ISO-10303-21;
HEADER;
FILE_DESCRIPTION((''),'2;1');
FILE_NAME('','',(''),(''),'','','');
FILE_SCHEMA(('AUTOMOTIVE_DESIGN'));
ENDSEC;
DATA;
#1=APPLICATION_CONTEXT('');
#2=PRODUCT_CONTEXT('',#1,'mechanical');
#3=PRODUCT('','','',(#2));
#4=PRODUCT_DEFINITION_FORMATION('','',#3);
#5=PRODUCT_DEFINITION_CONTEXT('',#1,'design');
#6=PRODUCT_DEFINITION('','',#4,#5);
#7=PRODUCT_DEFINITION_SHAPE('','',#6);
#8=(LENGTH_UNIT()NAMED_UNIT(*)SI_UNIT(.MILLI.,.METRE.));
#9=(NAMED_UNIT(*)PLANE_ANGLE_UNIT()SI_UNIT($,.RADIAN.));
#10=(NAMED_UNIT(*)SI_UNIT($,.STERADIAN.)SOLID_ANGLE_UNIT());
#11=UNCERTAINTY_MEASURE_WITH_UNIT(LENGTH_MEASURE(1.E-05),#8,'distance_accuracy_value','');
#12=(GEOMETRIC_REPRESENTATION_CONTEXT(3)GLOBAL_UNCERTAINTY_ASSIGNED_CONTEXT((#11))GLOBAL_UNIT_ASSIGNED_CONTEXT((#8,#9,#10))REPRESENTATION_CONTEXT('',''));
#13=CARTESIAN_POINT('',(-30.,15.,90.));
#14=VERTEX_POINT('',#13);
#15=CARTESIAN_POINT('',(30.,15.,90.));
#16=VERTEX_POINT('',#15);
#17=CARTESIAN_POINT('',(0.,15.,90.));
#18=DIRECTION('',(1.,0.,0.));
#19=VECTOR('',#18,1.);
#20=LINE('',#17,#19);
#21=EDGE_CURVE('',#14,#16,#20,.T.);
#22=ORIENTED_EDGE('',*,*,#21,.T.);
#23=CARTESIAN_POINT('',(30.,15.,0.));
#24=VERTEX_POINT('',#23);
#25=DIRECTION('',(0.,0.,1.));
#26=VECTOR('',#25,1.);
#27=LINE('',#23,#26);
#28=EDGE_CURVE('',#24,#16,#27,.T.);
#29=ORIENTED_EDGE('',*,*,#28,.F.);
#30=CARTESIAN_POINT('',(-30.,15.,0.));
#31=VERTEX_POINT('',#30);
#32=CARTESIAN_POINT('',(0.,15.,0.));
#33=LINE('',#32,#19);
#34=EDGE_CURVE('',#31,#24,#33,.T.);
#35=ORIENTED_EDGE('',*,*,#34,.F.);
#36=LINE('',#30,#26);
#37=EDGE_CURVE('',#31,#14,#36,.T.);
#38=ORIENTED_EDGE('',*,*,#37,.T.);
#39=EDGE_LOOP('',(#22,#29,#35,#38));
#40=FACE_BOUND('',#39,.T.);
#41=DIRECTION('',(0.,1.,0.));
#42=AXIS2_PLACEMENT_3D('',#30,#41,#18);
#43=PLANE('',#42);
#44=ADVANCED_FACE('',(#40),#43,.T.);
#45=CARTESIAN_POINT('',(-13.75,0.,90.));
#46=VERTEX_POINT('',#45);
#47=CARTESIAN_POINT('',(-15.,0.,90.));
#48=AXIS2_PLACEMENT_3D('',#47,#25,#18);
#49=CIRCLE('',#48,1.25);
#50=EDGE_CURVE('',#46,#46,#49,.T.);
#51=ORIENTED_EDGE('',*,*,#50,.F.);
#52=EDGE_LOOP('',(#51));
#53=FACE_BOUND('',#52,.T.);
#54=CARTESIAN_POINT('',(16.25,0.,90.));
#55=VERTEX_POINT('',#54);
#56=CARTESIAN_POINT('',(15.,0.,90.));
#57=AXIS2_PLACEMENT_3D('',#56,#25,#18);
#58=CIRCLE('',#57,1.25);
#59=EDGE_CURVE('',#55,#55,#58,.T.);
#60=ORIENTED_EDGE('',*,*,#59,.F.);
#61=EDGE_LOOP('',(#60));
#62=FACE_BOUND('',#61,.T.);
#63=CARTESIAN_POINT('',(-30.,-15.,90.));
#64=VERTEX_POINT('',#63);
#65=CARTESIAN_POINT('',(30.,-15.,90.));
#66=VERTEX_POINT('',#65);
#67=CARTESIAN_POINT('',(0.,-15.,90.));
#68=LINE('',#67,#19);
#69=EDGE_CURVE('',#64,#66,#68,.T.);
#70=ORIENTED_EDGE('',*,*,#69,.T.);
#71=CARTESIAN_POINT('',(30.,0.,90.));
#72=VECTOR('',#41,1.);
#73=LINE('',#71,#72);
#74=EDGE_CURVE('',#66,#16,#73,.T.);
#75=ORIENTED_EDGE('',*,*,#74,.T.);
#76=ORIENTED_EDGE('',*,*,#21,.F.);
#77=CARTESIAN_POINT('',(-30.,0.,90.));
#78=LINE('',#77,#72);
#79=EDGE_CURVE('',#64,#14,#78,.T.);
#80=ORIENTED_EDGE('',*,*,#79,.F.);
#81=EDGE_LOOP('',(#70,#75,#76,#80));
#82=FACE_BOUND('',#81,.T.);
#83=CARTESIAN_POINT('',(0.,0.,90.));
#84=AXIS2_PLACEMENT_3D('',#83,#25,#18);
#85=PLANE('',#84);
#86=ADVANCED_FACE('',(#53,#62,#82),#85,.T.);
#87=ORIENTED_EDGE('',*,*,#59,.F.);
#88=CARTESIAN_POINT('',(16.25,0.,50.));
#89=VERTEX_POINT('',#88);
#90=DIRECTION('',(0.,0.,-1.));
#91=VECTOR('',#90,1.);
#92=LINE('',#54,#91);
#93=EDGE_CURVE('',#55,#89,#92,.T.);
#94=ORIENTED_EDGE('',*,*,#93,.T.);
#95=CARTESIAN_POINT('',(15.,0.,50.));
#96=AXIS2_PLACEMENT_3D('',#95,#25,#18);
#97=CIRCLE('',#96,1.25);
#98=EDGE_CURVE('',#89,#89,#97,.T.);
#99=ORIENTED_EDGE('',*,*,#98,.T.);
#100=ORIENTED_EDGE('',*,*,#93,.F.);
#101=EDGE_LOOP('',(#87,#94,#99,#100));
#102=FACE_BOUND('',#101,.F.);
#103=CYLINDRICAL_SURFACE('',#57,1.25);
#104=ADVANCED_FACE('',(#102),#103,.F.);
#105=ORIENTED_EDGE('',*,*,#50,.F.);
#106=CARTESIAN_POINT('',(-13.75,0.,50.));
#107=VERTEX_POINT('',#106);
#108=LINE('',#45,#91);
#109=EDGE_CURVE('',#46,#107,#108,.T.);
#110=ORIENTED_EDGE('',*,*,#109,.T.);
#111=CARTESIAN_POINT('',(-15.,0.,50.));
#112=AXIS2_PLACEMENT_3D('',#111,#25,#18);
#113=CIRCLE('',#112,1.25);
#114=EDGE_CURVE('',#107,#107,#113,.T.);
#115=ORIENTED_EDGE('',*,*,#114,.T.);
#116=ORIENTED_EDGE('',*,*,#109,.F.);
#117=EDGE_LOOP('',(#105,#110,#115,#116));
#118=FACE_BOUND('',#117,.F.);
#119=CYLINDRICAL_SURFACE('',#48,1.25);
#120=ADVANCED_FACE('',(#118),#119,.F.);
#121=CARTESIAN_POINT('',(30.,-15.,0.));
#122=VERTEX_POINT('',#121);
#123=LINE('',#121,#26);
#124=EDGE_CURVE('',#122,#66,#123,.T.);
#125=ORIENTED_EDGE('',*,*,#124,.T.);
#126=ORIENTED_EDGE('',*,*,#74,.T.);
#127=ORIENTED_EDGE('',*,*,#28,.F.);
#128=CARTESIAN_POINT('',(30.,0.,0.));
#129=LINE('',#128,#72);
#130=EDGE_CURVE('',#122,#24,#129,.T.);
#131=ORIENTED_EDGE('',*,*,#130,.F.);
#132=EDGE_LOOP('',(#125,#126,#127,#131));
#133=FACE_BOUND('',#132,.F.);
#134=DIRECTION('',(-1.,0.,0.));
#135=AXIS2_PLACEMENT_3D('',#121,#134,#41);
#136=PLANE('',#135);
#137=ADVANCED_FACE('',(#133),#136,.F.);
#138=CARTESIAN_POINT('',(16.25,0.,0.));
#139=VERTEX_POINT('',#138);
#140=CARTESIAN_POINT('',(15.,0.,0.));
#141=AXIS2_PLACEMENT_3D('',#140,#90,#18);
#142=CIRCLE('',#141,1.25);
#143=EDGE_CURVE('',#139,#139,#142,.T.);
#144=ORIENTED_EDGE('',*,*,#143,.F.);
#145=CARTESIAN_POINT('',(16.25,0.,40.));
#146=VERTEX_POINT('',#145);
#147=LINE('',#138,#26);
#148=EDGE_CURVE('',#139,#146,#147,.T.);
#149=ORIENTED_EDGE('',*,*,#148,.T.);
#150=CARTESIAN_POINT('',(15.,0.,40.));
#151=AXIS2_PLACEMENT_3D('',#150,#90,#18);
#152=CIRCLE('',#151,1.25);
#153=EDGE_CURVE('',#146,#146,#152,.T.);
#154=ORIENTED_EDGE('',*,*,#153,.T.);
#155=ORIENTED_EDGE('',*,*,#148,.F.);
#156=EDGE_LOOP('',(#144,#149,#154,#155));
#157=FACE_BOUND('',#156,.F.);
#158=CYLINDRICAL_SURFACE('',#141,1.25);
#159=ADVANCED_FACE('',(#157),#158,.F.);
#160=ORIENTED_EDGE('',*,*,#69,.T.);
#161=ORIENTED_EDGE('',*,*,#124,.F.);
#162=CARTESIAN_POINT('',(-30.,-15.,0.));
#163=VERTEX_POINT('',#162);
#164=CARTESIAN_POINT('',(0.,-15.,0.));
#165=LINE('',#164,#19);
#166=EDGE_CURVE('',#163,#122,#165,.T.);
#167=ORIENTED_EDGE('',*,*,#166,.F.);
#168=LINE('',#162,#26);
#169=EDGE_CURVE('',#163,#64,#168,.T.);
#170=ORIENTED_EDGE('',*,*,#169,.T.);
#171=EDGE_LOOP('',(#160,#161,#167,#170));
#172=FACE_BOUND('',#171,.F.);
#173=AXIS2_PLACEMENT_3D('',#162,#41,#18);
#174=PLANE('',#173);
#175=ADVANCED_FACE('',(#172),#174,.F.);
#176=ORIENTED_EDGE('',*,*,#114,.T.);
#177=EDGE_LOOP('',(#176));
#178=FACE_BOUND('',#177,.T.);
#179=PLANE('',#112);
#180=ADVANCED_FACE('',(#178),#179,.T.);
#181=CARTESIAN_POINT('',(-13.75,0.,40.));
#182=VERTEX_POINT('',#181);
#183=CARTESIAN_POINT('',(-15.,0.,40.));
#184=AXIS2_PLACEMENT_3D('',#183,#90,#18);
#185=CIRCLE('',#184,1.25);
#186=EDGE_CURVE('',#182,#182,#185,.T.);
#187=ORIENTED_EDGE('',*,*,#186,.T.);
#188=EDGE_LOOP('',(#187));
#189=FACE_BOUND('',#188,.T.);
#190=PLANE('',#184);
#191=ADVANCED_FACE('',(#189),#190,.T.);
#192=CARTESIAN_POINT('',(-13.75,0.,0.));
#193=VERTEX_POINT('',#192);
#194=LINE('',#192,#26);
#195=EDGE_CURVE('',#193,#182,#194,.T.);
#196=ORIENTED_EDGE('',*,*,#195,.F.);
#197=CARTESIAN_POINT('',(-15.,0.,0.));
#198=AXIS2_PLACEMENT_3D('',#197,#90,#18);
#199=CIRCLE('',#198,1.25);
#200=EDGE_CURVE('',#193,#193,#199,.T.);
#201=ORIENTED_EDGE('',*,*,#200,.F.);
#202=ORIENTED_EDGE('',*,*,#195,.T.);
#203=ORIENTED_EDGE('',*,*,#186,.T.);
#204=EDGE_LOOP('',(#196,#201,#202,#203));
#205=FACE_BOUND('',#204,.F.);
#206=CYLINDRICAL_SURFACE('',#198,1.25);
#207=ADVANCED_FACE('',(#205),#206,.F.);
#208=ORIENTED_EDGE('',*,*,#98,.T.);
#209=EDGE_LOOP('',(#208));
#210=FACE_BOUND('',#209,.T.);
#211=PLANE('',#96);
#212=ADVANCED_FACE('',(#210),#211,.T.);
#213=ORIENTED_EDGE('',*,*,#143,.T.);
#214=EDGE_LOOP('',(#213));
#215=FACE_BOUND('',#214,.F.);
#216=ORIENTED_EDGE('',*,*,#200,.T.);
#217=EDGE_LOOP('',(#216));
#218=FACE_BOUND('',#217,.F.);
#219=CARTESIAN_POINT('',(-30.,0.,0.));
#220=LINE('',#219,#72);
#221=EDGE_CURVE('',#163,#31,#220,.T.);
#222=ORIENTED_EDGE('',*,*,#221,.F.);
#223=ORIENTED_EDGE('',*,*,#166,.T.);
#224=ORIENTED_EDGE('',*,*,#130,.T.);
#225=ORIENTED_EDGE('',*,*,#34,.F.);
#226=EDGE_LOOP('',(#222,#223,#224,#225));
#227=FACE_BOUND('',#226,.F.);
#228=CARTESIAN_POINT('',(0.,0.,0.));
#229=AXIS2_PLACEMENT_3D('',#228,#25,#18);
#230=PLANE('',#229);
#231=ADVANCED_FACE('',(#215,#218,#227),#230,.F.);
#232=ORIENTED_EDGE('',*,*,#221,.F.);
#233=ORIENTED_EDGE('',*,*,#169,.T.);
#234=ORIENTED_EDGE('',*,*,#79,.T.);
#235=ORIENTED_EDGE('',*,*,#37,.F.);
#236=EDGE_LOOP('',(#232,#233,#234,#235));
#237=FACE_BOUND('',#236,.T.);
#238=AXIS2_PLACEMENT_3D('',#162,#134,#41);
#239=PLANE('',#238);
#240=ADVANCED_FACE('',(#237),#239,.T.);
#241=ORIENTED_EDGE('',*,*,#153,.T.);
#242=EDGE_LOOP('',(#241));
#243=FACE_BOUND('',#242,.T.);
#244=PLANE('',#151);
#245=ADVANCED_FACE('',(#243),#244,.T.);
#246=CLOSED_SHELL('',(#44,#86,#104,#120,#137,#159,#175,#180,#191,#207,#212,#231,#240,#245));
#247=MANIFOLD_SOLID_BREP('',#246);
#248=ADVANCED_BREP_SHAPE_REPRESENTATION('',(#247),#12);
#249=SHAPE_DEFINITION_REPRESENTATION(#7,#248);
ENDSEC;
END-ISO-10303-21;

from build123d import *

# Parameters (mm, degrees)
F0_W     = 60
F0_H     = 30
F1_DEPTH = 90
F3_R     = 1.25
F4_DEPTH = 40
F5_R     = 1.25
F6_DEPTH = 40


with BuildPart() as f1:
    # F0 (on Top) → F1 (new body)
    with BuildSketch(Plane.XY):
        Rectangle(F0_W, F0_H)
    extrude(amount=F1_DEPTH)

    # F3 (on face) → F4 (cut)
    with BuildSketch(Plane(origin=(0, 0, 0), x_dir=(1, 0, 0), z_dir=(0, 0, -1))):
        with Locations((-15, 0)):
            Circle(F3_R)
        with Locations((15, 0)):
            Circle(F3_R)
    extrude(amount=-F4_DEPTH, mode=Mode.SUBTRACT)

    # F5 (on face) → F6 (cut)
    with BuildSketch(Plane.XY.offset(90)):
        with Locations((-15, 0)):
            Circle(F5_R)
        with Locations((15, 0)):
            Circle(F5_R)
    extrude(amount=-F6_DEPTH, mode=Mode.SUBTRACT)


solid = f1.part
